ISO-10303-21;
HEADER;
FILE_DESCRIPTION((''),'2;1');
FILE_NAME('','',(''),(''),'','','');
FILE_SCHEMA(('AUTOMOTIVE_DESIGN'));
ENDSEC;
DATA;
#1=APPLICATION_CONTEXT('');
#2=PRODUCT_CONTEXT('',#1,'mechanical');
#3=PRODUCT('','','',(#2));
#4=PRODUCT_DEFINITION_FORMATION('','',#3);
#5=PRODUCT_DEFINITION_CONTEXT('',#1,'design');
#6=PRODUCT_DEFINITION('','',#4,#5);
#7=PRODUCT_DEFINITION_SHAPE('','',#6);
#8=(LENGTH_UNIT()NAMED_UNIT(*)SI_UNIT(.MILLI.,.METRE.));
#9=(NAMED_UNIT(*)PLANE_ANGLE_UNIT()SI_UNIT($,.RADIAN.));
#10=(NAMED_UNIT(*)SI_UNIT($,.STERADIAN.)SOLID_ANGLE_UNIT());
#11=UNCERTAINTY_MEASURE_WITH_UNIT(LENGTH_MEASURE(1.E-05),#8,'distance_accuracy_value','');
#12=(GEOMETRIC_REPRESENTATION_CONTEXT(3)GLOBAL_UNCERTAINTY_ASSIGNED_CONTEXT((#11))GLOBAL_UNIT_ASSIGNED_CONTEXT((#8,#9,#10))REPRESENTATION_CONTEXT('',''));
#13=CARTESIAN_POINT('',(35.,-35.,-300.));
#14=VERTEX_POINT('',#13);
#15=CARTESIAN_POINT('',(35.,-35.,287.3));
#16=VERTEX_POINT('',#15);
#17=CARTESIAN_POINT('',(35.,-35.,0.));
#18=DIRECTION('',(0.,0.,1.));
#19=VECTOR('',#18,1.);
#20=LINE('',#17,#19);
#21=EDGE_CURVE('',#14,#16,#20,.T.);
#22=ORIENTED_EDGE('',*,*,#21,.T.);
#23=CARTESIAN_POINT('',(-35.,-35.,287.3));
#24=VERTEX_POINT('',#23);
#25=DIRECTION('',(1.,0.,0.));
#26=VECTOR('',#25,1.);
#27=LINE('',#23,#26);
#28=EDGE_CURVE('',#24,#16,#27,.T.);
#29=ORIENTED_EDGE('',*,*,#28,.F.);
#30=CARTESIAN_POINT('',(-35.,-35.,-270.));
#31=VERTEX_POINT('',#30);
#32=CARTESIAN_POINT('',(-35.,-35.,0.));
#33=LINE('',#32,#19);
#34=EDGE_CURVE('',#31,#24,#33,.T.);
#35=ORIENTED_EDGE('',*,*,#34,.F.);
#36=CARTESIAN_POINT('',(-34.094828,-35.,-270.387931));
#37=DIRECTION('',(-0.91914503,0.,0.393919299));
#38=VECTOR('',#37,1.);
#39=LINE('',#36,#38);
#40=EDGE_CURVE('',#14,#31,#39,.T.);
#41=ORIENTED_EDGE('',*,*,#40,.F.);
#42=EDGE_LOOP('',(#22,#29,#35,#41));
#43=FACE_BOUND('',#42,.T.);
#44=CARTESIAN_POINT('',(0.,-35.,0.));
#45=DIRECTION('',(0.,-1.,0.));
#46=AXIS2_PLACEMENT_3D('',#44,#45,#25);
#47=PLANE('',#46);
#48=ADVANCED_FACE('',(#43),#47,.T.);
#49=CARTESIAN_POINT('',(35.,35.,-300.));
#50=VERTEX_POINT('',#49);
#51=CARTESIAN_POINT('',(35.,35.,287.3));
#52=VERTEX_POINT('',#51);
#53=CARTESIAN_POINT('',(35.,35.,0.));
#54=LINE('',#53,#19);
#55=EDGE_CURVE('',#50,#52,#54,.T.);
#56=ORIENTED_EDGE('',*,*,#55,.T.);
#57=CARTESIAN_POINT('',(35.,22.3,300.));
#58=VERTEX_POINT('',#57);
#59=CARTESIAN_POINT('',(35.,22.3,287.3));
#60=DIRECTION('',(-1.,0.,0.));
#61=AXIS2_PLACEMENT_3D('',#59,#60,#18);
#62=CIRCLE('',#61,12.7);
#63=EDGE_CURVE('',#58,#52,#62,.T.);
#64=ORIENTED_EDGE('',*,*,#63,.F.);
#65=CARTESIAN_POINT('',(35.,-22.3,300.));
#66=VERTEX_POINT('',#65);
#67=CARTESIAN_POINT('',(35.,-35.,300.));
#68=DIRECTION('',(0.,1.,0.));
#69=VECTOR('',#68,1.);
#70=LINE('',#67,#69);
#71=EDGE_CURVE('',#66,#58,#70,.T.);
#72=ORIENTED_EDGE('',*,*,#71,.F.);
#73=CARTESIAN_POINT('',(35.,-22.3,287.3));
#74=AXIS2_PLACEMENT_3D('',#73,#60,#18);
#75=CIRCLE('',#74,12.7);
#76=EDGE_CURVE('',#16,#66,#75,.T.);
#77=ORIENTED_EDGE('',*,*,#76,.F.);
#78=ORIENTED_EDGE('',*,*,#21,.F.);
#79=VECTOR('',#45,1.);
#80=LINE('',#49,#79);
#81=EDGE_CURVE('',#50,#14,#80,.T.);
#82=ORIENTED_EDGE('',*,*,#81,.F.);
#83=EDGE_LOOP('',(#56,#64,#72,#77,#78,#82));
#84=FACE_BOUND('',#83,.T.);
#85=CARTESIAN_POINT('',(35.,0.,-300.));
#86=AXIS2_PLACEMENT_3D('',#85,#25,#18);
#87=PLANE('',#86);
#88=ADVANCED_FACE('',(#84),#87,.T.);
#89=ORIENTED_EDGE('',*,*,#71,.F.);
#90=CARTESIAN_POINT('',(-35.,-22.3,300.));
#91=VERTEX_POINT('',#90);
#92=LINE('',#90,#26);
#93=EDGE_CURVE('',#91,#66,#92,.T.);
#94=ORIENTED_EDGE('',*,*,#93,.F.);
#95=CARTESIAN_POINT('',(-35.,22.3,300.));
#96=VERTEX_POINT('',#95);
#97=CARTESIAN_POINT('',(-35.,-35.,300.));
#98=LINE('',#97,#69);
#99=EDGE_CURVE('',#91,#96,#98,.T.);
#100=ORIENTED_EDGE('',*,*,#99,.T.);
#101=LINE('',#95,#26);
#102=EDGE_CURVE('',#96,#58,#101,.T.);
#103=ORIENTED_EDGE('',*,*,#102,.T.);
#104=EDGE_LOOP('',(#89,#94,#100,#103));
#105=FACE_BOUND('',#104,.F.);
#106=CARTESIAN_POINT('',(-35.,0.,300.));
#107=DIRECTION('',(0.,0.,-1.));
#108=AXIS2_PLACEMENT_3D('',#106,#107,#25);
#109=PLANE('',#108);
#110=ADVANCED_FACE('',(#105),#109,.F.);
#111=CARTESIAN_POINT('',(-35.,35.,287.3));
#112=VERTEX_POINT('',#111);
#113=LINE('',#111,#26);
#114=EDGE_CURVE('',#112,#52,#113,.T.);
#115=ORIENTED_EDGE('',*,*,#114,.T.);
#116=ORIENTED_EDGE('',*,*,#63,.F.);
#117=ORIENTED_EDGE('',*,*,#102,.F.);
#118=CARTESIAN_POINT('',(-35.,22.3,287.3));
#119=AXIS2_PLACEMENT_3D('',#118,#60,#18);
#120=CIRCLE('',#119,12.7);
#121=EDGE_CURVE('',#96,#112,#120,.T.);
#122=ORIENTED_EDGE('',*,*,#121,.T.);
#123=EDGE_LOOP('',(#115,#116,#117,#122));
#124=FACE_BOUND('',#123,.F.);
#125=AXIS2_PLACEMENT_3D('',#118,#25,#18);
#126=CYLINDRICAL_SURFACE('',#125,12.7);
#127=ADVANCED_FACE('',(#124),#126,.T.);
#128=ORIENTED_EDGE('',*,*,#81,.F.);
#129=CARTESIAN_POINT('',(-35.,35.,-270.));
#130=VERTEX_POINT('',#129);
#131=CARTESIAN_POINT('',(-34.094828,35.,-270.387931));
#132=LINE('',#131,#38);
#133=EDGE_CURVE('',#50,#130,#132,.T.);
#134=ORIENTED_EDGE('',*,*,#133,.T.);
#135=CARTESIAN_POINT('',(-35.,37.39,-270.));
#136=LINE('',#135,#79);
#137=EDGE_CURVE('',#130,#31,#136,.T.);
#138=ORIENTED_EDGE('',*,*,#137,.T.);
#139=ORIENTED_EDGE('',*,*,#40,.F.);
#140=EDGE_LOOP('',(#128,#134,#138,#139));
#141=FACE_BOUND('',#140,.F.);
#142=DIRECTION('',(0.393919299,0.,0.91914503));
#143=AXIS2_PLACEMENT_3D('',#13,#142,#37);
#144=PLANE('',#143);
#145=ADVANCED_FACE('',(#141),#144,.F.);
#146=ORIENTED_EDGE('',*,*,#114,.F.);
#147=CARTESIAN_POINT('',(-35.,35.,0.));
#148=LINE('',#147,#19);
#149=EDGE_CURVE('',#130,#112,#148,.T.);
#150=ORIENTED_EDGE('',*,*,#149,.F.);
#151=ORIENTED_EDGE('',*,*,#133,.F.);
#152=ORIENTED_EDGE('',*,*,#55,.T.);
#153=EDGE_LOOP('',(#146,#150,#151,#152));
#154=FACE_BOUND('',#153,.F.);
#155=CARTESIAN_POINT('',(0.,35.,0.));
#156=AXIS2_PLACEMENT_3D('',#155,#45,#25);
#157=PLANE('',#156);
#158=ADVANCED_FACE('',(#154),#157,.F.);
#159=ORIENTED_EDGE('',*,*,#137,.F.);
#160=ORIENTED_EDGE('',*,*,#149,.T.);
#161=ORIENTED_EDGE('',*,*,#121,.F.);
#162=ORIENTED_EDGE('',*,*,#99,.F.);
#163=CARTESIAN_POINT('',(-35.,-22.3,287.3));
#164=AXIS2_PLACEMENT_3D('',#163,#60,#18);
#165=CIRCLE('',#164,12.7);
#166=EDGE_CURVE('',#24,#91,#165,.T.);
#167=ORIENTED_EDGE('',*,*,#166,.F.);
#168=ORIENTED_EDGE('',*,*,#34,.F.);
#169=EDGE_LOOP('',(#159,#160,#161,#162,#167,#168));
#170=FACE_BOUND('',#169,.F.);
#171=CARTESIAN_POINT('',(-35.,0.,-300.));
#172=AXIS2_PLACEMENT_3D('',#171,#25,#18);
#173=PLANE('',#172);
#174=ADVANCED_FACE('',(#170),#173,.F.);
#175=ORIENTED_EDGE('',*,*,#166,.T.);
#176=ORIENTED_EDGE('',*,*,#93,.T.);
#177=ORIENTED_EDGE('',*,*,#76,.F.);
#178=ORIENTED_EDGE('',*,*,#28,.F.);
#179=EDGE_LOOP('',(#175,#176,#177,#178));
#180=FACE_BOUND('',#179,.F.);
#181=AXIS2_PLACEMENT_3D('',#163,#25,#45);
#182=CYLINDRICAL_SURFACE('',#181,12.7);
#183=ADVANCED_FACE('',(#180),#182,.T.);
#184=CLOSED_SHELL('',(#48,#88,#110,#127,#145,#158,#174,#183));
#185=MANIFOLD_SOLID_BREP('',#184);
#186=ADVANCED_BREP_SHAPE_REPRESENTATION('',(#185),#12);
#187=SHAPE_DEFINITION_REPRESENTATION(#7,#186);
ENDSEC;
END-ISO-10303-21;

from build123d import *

# Parameters (mm, degrees)
F0_W     = 70
F0_H     = 600
F1_DEPTH = 35
F2_R     = 12.7
F4_DEPTH = 72.39


with BuildPart() as f1:
    # F0 (on Front) → F1 (new body, symmetric)
    with BuildSketch(Plane.XZ):
        Rectangle(F0_W, F0_H)
    extrude(amount=F1_DEPTH, both=True)

    # F2
    f2_edges = [f1.edges().sort_by_distance(p)[0] for p in [
        (0, -35, 300),
        (0, 35, 300),
    ]]
    fillet(f2_edges, radius=F2_R)

    # F3 (on face) → F4 (cut, symmetric)
    with BuildSketch(Plane.XZ.offset(35)):
        Polygon((35, -300), (-35, -270), (-35, -300), align=None)
    extrude(amount=F4_DEPTH, both=True, mode=Mode.SUBTRACT)


solid = f1.part
